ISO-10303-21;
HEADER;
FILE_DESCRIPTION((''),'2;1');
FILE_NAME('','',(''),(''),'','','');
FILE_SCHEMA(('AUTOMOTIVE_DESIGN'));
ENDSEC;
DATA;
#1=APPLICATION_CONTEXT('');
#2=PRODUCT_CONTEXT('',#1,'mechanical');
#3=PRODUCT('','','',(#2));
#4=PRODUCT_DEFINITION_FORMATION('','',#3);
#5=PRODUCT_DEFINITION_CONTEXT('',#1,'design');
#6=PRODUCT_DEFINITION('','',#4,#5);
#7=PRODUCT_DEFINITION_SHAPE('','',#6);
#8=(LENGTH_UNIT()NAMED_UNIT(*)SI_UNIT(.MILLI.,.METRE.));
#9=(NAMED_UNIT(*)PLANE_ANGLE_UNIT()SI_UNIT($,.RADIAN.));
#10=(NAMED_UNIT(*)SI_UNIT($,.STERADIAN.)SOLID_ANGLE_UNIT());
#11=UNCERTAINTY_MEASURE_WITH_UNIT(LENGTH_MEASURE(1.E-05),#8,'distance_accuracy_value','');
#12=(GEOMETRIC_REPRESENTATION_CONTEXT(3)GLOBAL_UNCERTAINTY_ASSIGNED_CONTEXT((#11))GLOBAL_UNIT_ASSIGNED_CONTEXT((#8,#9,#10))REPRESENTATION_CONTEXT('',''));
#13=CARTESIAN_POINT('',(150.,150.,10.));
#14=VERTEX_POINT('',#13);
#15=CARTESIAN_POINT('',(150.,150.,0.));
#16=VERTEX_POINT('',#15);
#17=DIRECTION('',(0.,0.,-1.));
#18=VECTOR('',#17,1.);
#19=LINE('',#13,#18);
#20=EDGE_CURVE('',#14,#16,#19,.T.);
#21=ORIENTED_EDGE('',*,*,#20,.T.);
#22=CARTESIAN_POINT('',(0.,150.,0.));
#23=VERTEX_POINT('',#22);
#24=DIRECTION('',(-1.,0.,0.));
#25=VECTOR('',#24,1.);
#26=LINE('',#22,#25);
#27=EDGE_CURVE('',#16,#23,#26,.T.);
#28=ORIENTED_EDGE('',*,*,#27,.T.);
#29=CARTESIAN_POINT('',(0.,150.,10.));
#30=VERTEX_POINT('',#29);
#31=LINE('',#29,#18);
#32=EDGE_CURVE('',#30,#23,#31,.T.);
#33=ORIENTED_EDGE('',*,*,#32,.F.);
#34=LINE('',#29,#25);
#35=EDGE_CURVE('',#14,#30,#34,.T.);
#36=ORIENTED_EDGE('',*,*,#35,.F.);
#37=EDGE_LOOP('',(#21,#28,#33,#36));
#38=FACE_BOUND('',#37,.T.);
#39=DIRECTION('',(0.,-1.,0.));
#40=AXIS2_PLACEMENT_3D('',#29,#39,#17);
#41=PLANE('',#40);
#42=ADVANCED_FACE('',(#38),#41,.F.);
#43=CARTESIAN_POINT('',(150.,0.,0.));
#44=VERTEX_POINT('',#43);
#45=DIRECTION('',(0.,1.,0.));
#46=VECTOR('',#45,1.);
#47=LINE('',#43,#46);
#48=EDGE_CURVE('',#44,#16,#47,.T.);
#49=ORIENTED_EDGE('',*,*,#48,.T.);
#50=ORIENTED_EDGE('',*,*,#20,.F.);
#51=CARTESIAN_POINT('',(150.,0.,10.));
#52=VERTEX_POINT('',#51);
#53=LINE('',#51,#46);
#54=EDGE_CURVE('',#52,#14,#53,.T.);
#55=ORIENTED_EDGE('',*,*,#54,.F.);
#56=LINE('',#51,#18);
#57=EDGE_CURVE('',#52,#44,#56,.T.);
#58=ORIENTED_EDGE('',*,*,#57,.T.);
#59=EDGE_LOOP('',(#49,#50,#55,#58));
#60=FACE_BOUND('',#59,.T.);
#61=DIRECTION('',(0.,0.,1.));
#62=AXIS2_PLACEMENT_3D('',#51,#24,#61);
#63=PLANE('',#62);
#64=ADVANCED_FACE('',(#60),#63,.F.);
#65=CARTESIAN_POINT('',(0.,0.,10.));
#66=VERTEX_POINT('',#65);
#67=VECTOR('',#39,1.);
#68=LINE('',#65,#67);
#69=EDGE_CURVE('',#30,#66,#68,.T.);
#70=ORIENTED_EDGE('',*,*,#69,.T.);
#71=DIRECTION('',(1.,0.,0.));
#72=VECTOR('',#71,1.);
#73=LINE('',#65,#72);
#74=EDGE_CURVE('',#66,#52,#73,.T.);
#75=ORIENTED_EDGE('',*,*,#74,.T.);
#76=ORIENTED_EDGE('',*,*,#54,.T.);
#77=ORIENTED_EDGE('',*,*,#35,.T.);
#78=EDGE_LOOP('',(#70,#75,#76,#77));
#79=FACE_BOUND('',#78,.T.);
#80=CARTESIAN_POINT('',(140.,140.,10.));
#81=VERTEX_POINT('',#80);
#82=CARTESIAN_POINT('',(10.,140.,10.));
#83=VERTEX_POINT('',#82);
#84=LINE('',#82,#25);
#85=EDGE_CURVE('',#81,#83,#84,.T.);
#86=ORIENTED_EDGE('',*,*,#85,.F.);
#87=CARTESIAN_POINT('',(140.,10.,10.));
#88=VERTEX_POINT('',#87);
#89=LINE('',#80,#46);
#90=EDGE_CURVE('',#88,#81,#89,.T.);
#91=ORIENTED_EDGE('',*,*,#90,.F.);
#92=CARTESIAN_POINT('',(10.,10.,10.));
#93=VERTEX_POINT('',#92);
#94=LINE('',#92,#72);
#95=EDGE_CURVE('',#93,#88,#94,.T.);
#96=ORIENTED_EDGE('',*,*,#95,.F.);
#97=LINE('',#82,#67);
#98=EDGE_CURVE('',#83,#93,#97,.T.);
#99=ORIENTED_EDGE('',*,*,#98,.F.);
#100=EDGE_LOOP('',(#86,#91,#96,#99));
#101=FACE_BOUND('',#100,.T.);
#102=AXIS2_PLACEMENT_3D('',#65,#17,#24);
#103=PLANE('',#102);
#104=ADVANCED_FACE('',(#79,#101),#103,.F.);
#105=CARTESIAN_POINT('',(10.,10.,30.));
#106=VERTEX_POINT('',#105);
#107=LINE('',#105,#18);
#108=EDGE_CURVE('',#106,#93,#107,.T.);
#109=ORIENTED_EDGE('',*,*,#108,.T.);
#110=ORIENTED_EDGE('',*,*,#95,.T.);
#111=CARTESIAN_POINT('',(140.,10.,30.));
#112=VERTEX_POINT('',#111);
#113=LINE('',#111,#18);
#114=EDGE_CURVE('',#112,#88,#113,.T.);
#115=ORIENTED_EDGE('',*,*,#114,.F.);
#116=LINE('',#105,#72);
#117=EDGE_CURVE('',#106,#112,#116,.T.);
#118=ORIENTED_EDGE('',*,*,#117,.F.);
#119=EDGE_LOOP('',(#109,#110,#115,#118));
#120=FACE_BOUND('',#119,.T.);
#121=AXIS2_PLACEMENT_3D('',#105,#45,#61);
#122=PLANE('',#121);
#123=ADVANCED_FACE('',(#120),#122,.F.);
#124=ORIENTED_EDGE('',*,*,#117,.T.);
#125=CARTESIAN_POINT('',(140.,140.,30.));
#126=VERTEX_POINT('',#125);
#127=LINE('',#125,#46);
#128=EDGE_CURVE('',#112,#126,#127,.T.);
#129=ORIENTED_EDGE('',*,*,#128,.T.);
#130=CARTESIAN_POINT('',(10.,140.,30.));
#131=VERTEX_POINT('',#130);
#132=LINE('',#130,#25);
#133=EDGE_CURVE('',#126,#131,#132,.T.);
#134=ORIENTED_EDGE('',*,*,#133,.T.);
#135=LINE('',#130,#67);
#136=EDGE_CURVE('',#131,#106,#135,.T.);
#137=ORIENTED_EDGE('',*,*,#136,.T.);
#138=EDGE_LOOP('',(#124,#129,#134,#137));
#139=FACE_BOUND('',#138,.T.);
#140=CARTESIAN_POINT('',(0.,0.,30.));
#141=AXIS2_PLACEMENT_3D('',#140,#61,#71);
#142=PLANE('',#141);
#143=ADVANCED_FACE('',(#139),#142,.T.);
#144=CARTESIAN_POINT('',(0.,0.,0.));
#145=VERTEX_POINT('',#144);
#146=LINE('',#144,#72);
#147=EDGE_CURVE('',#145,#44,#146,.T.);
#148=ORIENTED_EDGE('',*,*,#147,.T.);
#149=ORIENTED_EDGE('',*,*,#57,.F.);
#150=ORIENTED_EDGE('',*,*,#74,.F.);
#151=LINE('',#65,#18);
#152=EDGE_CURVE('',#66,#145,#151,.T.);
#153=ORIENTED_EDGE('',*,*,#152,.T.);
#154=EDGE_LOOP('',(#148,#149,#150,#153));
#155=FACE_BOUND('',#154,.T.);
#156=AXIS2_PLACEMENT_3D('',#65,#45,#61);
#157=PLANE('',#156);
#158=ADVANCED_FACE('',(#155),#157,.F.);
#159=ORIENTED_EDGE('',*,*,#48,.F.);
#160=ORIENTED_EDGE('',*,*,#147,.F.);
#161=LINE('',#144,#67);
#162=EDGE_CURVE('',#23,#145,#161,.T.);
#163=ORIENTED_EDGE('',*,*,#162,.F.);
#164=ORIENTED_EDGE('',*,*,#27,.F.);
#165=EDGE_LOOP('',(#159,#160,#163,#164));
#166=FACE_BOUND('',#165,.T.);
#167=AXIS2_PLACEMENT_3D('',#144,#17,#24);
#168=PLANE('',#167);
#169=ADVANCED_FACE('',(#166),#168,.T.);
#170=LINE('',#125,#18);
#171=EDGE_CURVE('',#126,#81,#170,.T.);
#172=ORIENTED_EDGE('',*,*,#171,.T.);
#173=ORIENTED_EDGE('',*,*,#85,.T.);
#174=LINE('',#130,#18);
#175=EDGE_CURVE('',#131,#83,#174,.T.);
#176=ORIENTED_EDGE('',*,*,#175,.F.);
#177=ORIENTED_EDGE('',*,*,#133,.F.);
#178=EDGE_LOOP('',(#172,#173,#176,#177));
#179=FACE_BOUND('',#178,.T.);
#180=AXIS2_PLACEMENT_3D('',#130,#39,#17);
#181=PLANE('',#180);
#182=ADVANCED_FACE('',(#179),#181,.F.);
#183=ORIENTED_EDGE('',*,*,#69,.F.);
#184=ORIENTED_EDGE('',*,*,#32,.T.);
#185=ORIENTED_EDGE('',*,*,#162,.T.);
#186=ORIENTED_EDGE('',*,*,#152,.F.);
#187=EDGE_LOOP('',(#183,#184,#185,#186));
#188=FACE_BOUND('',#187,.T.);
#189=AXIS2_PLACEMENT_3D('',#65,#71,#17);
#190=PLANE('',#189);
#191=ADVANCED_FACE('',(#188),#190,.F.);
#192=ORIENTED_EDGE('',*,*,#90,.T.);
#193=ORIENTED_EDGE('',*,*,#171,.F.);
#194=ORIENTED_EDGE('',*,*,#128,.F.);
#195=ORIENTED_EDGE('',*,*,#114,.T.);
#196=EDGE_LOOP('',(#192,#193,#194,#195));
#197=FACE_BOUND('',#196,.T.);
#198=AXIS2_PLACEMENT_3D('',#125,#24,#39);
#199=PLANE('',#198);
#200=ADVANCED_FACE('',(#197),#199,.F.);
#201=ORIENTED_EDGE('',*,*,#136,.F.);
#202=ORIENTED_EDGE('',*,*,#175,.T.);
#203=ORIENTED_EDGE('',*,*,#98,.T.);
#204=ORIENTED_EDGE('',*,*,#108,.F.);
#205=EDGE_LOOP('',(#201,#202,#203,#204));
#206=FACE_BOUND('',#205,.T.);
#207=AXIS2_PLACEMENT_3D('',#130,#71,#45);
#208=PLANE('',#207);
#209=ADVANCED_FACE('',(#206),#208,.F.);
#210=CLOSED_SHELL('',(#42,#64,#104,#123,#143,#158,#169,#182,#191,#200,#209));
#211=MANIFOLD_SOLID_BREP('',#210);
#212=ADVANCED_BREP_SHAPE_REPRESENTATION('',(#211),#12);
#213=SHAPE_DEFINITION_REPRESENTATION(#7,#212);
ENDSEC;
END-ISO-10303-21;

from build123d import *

# Parameters (mm, degrees)
SKETCH1_W           = 150
SKETCH1_H           = 150
BOSS_EXTRUDE1_DEPTH = 10
SKETCH2_W           = 130
SKETCH2_H           = 130
BOSS_EXTRUDE2_DEPTH = 20


with BuildPart() as part:
    # Sketch1 → Boss-Extrude1 (new body)
    with BuildSketch(Plane.XY):
        with Locations((75, 75)):
            Rectangle(SKETCH1_W, SKETCH1_H)
    extrude(amount=BOSS_EXTRUDE1_DEPTH)

    # Sketch2 → Boss-Extrude2 (add)
    with BuildSketch(Plane.XY.offset(10)):
        with Locations((75, 75)):
            Rectangle(SKETCH2_W, SKETCH2_H)
    extrude(amount=BOSS_EXTRUDE2_DEPTH)


solid = part.part
